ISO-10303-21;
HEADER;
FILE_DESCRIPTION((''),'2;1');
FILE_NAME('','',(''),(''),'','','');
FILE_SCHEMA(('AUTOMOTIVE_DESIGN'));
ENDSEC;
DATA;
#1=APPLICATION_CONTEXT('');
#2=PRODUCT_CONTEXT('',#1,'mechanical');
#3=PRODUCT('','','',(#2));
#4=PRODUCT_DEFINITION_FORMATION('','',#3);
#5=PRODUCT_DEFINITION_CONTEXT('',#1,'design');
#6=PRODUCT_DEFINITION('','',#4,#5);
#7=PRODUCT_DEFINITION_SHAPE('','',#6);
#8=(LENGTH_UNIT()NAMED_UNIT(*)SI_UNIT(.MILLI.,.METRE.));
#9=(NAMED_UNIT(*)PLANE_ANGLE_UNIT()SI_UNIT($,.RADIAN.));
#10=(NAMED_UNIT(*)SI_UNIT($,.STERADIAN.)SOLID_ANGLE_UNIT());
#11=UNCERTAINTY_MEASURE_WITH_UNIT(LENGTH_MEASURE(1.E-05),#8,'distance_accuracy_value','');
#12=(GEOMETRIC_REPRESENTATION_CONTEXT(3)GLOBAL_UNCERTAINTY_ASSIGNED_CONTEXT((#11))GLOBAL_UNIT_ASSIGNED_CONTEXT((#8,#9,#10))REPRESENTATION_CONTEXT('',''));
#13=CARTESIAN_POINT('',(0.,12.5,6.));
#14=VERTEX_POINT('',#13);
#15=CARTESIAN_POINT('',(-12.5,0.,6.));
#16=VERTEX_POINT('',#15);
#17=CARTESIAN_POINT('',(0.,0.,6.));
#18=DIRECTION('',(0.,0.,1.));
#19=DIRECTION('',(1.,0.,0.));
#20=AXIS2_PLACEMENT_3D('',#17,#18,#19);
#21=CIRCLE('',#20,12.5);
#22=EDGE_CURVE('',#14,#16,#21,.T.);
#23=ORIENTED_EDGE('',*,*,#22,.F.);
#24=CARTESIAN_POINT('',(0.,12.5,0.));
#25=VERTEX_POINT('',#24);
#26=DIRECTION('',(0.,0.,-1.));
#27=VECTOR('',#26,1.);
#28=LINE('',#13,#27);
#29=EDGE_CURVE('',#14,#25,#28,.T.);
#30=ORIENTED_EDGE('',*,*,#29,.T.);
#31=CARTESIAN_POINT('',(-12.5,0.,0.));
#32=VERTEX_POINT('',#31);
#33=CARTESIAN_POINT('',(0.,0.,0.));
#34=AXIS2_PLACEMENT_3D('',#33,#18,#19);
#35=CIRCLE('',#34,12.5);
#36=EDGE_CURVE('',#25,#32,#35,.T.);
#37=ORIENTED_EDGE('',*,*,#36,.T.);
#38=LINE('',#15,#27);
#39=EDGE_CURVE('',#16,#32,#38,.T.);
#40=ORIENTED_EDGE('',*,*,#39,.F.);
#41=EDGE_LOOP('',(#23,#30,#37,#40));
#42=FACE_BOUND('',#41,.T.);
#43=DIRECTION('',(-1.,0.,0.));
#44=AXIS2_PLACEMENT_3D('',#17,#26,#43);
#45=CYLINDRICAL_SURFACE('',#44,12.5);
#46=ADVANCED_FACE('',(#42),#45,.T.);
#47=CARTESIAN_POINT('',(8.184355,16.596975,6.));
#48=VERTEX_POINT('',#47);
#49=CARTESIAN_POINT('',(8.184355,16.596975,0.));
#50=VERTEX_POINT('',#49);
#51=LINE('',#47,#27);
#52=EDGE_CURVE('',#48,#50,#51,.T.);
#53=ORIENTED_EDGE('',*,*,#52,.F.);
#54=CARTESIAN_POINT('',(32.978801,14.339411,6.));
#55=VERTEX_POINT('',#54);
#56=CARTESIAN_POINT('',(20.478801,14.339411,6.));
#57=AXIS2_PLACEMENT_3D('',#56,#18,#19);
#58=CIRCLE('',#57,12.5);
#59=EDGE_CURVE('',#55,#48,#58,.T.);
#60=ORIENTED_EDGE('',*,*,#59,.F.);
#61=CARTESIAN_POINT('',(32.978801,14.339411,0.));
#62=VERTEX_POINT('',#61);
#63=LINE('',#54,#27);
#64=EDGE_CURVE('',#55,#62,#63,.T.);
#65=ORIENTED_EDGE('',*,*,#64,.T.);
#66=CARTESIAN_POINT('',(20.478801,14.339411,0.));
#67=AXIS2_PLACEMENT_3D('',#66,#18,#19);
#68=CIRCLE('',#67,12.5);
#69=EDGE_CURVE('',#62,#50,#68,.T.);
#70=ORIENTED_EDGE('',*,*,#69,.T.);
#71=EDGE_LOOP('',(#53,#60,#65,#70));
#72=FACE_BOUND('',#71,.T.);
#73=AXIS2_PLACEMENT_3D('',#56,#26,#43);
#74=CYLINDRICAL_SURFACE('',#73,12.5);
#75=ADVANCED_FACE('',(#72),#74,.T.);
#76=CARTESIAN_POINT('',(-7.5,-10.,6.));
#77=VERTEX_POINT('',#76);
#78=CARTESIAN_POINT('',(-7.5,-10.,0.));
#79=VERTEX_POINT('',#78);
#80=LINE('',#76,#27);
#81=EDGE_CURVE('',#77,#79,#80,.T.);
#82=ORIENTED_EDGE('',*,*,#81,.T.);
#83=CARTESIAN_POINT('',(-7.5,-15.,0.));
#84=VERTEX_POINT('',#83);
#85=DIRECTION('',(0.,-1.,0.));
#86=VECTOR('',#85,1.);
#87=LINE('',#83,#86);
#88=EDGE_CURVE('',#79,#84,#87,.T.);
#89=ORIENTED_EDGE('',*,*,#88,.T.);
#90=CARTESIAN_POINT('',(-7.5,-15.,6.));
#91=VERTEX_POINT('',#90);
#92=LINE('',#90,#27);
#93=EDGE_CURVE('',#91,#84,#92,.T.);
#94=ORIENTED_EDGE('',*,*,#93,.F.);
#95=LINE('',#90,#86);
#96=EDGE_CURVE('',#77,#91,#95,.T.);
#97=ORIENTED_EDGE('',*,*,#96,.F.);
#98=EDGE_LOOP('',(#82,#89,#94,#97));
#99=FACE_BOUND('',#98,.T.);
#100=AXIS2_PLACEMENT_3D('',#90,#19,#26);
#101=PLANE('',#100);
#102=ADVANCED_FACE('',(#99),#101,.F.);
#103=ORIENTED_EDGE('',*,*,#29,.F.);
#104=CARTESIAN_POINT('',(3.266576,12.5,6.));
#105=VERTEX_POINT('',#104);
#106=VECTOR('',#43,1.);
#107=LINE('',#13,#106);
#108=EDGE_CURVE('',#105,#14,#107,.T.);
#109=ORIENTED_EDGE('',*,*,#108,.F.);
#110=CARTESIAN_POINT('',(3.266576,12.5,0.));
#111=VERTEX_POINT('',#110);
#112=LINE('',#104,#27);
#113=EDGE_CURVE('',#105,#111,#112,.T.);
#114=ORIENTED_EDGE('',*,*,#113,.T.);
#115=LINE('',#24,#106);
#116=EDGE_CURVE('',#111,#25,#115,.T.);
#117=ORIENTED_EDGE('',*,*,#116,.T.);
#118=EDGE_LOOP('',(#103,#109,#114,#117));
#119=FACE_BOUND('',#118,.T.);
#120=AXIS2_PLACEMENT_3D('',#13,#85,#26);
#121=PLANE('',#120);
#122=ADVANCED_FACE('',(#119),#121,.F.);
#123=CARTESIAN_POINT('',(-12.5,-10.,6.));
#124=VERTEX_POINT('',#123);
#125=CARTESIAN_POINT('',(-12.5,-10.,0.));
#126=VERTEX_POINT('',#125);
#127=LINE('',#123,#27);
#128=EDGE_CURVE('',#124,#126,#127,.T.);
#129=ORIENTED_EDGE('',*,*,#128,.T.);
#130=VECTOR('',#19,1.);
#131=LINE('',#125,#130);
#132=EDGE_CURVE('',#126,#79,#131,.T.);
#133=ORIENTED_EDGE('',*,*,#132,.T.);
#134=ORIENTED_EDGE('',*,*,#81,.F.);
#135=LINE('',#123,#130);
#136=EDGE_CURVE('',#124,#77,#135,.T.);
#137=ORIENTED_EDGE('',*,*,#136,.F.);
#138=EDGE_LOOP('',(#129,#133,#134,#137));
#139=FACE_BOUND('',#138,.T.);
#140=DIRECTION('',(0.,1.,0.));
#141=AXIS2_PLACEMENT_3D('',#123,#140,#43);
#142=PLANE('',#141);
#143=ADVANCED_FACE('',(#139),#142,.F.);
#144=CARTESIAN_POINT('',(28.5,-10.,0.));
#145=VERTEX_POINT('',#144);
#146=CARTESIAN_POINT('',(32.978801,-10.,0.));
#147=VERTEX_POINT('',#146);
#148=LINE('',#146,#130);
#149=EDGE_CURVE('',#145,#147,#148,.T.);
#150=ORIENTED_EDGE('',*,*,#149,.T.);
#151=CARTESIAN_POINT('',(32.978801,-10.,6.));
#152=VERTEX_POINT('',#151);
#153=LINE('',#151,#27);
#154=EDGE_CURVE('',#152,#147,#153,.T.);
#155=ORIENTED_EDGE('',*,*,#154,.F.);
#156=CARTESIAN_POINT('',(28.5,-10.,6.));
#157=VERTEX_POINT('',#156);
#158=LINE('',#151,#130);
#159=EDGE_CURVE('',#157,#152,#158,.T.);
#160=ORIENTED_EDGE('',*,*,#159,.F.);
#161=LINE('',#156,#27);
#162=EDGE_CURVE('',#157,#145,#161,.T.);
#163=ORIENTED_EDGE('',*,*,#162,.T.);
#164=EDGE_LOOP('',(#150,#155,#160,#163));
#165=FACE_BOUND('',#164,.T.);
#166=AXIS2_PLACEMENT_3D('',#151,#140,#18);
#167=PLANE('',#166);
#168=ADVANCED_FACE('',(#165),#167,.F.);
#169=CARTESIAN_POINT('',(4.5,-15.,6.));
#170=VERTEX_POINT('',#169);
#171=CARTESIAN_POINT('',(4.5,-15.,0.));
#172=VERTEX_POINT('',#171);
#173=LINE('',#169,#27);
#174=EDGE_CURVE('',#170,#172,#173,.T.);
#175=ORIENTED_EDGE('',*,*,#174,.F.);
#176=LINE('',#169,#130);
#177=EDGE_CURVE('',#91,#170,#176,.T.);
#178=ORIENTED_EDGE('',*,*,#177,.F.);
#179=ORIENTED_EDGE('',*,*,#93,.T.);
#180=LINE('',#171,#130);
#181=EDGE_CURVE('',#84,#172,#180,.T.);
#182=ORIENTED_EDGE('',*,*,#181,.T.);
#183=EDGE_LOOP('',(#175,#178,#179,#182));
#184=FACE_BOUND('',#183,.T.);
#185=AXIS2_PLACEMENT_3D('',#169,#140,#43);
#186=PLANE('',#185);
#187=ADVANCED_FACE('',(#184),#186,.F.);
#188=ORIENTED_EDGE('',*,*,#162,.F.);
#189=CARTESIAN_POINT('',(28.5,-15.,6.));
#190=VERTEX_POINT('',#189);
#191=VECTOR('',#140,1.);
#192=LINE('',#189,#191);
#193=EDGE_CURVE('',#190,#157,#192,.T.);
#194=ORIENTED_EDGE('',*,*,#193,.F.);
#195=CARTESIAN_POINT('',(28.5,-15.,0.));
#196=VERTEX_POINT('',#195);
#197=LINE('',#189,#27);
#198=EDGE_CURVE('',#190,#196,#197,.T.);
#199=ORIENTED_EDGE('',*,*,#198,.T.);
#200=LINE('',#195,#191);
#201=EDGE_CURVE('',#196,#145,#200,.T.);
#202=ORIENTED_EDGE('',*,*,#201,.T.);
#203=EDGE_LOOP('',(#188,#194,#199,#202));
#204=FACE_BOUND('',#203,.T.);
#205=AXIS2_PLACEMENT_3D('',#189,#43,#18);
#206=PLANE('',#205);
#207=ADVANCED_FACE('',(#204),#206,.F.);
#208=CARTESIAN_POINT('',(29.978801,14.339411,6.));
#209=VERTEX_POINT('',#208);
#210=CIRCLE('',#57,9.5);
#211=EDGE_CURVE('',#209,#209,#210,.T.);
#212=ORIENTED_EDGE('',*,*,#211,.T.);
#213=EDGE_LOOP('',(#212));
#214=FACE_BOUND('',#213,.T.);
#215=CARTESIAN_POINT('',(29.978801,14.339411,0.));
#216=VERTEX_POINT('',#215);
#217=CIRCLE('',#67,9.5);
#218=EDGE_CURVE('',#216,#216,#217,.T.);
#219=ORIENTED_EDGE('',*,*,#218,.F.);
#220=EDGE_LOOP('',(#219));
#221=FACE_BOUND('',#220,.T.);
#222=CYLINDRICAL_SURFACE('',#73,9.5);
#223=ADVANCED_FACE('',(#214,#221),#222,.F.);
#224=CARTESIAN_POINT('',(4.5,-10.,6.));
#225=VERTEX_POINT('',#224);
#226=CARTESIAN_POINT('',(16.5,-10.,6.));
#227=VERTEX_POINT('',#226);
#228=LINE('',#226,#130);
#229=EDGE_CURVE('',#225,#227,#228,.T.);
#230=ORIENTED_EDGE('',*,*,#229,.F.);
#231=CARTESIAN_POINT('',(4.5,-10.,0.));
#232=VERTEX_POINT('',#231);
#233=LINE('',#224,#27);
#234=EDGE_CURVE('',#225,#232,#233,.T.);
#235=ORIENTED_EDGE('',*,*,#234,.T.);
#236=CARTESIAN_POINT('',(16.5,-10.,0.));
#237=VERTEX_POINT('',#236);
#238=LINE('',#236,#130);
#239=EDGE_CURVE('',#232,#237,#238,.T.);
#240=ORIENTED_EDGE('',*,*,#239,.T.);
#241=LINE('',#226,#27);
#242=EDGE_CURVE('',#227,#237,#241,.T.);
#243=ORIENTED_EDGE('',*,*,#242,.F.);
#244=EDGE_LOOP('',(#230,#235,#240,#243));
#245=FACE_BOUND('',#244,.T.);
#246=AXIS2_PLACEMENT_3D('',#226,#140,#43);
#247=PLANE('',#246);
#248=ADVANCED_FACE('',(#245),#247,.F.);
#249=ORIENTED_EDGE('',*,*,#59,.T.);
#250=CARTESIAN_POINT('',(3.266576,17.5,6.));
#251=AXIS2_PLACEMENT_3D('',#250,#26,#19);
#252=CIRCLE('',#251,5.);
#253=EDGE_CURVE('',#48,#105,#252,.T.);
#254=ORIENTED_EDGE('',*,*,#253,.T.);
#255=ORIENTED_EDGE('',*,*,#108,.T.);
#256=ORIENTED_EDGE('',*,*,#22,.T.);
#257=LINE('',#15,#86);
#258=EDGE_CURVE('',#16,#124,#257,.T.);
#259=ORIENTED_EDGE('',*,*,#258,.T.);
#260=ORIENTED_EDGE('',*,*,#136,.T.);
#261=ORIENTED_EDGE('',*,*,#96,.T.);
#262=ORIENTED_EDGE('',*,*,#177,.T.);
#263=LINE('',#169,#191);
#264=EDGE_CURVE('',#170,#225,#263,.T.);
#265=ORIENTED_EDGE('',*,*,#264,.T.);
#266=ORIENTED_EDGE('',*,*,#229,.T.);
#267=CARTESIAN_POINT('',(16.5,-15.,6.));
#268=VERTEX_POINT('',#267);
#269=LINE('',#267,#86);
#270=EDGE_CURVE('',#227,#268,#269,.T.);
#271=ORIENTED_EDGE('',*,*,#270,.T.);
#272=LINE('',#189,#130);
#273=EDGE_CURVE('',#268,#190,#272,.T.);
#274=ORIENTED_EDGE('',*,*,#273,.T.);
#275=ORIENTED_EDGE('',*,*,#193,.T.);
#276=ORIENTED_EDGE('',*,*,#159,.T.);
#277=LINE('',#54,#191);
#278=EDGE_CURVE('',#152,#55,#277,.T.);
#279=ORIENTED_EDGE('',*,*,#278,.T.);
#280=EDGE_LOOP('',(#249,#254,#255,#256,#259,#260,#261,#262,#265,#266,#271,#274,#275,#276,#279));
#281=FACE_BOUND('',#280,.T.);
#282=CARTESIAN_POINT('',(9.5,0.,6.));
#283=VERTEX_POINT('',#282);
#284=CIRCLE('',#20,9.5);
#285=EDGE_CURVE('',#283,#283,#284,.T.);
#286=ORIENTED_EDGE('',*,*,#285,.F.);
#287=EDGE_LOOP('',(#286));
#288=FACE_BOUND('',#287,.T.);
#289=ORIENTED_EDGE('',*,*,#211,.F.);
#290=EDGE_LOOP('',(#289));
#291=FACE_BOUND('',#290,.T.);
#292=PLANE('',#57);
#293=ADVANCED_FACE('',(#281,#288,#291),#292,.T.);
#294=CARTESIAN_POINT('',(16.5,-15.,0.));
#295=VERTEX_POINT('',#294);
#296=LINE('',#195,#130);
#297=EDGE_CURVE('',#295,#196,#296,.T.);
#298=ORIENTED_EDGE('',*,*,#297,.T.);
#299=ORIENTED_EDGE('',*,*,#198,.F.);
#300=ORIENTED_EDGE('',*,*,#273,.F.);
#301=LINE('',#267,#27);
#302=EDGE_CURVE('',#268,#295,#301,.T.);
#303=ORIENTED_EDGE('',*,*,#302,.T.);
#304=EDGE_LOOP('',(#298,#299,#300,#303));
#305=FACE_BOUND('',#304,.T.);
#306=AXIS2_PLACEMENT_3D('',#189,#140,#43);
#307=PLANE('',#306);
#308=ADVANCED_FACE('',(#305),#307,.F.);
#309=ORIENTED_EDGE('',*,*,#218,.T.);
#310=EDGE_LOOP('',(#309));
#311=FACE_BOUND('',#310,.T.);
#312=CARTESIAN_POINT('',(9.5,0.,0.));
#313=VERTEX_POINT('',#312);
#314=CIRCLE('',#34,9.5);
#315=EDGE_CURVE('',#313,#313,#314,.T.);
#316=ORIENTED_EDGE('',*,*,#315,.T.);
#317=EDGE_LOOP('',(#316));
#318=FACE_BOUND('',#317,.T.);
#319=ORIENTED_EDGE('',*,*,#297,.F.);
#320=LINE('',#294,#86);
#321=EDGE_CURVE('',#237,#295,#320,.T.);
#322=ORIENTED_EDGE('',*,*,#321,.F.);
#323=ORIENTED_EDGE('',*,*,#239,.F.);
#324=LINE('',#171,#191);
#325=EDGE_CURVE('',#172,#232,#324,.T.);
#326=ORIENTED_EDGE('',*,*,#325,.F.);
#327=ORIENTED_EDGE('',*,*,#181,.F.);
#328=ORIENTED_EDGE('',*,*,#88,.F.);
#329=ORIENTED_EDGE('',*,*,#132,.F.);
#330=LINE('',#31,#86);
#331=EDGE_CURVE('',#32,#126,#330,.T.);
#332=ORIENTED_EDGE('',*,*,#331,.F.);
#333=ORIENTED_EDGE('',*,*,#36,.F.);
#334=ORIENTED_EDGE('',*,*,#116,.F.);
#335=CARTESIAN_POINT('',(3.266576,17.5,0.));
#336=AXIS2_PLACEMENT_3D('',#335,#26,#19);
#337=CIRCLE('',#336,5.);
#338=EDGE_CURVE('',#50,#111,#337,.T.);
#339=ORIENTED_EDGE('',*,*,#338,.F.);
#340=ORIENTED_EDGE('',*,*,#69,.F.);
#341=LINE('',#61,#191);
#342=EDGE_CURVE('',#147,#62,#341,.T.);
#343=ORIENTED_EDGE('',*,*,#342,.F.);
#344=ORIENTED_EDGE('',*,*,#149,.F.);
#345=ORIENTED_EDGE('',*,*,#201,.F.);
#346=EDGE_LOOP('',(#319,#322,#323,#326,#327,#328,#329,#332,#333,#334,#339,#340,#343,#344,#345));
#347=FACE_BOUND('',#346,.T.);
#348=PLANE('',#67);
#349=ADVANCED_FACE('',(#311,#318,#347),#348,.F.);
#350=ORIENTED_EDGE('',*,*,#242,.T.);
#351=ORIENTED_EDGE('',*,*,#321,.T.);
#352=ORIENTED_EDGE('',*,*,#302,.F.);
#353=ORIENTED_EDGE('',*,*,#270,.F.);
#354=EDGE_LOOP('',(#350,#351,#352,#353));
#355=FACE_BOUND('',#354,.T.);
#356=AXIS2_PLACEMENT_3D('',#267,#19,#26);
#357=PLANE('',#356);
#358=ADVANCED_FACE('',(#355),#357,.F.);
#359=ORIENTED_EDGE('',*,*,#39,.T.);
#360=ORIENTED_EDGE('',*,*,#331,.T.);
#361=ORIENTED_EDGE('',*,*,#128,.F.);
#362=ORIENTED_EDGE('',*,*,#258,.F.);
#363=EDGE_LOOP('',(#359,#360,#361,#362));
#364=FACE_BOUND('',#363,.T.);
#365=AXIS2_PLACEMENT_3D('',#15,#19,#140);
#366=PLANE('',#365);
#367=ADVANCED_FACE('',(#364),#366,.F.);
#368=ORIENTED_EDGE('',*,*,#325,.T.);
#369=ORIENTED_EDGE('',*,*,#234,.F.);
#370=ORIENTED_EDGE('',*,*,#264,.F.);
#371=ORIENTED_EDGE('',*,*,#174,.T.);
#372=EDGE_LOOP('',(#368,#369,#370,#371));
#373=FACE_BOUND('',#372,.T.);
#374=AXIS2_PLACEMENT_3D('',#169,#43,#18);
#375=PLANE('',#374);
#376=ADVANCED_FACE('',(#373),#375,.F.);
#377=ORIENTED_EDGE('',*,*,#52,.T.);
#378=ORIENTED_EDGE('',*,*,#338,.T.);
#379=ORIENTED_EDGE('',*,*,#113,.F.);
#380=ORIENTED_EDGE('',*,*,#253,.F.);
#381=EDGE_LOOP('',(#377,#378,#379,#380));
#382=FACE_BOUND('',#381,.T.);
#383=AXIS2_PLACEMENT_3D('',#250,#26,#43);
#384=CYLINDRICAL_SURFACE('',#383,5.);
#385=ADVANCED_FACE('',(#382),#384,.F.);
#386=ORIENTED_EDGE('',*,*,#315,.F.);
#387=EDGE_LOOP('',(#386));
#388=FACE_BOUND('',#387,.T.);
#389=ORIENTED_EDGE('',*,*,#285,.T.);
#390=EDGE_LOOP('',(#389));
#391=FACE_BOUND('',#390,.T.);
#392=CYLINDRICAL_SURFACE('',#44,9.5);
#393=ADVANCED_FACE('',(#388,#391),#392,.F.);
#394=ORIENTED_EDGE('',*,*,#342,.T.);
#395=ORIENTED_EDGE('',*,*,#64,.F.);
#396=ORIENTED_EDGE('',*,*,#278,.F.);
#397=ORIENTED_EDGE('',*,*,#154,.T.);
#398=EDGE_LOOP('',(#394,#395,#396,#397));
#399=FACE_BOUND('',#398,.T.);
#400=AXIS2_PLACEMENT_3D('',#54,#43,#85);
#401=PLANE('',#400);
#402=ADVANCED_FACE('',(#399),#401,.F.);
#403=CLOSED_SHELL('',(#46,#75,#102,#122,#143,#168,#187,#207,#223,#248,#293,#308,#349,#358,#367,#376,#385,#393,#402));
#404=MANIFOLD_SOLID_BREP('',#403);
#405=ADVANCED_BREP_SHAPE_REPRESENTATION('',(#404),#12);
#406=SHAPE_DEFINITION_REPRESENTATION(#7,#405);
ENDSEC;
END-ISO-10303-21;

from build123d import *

# Parameters (mm, degrees)
CROQUIS1_R              = 9.5
SALIENTE_EXTRUIR1_DEPTH = 6


with BuildPart() as part:
    # Croquis1 → Saliente-Extruir1 (new body)
    with BuildSketch(Plane.XY):
        with BuildLine():
            Line((-12.5, 0), (-12.5, -10))
            Line((-12.5, -10), (-7.5, -10))
            Line((-7.5, -10), (-7.5, -15))
            Line((-7.5, -15), (4.5, -15))
            Line((4.5, -15), (4.5, -10))
            Line((4.5, -10), (16.5, -10))
            Line((16.5, -10), (16.5, -15))
            Line((16.5, -15), (28.5, -15))
            Line((28.5, -15), (28.5, -10))
            Line((28.5, -10), (32.978801107, -10))
            Line((32.978801107, -10), (32.978801107, 14.339410909))
            ThreePointArc((32.978801107, 14.339410909), (21.612252248, 26.787916382), (8.184354945, 16.596974545))
            ThreePointArc((8.184354945, 16.596974545), (6.46695714, 13.658442551), (3.266576481, 12.5))
            Line((3.266576481, 12.5), (0, 12.5))
            ThreePointArc((0, 12.5), (-8.838834765, 8.838834765), (-12.5, 0))
        make_face()
        Circle(CROQUIS1_R, mode=Mode.SUBTRACT)
        with Locations((20.478801107, 14.339410909)):
            Circle(CROQUIS1_R, mode=Mode.SUBTRACT)
    extrude(amount=SALIENTE_EXTRUIR1_DEPTH)


solid = part.part
